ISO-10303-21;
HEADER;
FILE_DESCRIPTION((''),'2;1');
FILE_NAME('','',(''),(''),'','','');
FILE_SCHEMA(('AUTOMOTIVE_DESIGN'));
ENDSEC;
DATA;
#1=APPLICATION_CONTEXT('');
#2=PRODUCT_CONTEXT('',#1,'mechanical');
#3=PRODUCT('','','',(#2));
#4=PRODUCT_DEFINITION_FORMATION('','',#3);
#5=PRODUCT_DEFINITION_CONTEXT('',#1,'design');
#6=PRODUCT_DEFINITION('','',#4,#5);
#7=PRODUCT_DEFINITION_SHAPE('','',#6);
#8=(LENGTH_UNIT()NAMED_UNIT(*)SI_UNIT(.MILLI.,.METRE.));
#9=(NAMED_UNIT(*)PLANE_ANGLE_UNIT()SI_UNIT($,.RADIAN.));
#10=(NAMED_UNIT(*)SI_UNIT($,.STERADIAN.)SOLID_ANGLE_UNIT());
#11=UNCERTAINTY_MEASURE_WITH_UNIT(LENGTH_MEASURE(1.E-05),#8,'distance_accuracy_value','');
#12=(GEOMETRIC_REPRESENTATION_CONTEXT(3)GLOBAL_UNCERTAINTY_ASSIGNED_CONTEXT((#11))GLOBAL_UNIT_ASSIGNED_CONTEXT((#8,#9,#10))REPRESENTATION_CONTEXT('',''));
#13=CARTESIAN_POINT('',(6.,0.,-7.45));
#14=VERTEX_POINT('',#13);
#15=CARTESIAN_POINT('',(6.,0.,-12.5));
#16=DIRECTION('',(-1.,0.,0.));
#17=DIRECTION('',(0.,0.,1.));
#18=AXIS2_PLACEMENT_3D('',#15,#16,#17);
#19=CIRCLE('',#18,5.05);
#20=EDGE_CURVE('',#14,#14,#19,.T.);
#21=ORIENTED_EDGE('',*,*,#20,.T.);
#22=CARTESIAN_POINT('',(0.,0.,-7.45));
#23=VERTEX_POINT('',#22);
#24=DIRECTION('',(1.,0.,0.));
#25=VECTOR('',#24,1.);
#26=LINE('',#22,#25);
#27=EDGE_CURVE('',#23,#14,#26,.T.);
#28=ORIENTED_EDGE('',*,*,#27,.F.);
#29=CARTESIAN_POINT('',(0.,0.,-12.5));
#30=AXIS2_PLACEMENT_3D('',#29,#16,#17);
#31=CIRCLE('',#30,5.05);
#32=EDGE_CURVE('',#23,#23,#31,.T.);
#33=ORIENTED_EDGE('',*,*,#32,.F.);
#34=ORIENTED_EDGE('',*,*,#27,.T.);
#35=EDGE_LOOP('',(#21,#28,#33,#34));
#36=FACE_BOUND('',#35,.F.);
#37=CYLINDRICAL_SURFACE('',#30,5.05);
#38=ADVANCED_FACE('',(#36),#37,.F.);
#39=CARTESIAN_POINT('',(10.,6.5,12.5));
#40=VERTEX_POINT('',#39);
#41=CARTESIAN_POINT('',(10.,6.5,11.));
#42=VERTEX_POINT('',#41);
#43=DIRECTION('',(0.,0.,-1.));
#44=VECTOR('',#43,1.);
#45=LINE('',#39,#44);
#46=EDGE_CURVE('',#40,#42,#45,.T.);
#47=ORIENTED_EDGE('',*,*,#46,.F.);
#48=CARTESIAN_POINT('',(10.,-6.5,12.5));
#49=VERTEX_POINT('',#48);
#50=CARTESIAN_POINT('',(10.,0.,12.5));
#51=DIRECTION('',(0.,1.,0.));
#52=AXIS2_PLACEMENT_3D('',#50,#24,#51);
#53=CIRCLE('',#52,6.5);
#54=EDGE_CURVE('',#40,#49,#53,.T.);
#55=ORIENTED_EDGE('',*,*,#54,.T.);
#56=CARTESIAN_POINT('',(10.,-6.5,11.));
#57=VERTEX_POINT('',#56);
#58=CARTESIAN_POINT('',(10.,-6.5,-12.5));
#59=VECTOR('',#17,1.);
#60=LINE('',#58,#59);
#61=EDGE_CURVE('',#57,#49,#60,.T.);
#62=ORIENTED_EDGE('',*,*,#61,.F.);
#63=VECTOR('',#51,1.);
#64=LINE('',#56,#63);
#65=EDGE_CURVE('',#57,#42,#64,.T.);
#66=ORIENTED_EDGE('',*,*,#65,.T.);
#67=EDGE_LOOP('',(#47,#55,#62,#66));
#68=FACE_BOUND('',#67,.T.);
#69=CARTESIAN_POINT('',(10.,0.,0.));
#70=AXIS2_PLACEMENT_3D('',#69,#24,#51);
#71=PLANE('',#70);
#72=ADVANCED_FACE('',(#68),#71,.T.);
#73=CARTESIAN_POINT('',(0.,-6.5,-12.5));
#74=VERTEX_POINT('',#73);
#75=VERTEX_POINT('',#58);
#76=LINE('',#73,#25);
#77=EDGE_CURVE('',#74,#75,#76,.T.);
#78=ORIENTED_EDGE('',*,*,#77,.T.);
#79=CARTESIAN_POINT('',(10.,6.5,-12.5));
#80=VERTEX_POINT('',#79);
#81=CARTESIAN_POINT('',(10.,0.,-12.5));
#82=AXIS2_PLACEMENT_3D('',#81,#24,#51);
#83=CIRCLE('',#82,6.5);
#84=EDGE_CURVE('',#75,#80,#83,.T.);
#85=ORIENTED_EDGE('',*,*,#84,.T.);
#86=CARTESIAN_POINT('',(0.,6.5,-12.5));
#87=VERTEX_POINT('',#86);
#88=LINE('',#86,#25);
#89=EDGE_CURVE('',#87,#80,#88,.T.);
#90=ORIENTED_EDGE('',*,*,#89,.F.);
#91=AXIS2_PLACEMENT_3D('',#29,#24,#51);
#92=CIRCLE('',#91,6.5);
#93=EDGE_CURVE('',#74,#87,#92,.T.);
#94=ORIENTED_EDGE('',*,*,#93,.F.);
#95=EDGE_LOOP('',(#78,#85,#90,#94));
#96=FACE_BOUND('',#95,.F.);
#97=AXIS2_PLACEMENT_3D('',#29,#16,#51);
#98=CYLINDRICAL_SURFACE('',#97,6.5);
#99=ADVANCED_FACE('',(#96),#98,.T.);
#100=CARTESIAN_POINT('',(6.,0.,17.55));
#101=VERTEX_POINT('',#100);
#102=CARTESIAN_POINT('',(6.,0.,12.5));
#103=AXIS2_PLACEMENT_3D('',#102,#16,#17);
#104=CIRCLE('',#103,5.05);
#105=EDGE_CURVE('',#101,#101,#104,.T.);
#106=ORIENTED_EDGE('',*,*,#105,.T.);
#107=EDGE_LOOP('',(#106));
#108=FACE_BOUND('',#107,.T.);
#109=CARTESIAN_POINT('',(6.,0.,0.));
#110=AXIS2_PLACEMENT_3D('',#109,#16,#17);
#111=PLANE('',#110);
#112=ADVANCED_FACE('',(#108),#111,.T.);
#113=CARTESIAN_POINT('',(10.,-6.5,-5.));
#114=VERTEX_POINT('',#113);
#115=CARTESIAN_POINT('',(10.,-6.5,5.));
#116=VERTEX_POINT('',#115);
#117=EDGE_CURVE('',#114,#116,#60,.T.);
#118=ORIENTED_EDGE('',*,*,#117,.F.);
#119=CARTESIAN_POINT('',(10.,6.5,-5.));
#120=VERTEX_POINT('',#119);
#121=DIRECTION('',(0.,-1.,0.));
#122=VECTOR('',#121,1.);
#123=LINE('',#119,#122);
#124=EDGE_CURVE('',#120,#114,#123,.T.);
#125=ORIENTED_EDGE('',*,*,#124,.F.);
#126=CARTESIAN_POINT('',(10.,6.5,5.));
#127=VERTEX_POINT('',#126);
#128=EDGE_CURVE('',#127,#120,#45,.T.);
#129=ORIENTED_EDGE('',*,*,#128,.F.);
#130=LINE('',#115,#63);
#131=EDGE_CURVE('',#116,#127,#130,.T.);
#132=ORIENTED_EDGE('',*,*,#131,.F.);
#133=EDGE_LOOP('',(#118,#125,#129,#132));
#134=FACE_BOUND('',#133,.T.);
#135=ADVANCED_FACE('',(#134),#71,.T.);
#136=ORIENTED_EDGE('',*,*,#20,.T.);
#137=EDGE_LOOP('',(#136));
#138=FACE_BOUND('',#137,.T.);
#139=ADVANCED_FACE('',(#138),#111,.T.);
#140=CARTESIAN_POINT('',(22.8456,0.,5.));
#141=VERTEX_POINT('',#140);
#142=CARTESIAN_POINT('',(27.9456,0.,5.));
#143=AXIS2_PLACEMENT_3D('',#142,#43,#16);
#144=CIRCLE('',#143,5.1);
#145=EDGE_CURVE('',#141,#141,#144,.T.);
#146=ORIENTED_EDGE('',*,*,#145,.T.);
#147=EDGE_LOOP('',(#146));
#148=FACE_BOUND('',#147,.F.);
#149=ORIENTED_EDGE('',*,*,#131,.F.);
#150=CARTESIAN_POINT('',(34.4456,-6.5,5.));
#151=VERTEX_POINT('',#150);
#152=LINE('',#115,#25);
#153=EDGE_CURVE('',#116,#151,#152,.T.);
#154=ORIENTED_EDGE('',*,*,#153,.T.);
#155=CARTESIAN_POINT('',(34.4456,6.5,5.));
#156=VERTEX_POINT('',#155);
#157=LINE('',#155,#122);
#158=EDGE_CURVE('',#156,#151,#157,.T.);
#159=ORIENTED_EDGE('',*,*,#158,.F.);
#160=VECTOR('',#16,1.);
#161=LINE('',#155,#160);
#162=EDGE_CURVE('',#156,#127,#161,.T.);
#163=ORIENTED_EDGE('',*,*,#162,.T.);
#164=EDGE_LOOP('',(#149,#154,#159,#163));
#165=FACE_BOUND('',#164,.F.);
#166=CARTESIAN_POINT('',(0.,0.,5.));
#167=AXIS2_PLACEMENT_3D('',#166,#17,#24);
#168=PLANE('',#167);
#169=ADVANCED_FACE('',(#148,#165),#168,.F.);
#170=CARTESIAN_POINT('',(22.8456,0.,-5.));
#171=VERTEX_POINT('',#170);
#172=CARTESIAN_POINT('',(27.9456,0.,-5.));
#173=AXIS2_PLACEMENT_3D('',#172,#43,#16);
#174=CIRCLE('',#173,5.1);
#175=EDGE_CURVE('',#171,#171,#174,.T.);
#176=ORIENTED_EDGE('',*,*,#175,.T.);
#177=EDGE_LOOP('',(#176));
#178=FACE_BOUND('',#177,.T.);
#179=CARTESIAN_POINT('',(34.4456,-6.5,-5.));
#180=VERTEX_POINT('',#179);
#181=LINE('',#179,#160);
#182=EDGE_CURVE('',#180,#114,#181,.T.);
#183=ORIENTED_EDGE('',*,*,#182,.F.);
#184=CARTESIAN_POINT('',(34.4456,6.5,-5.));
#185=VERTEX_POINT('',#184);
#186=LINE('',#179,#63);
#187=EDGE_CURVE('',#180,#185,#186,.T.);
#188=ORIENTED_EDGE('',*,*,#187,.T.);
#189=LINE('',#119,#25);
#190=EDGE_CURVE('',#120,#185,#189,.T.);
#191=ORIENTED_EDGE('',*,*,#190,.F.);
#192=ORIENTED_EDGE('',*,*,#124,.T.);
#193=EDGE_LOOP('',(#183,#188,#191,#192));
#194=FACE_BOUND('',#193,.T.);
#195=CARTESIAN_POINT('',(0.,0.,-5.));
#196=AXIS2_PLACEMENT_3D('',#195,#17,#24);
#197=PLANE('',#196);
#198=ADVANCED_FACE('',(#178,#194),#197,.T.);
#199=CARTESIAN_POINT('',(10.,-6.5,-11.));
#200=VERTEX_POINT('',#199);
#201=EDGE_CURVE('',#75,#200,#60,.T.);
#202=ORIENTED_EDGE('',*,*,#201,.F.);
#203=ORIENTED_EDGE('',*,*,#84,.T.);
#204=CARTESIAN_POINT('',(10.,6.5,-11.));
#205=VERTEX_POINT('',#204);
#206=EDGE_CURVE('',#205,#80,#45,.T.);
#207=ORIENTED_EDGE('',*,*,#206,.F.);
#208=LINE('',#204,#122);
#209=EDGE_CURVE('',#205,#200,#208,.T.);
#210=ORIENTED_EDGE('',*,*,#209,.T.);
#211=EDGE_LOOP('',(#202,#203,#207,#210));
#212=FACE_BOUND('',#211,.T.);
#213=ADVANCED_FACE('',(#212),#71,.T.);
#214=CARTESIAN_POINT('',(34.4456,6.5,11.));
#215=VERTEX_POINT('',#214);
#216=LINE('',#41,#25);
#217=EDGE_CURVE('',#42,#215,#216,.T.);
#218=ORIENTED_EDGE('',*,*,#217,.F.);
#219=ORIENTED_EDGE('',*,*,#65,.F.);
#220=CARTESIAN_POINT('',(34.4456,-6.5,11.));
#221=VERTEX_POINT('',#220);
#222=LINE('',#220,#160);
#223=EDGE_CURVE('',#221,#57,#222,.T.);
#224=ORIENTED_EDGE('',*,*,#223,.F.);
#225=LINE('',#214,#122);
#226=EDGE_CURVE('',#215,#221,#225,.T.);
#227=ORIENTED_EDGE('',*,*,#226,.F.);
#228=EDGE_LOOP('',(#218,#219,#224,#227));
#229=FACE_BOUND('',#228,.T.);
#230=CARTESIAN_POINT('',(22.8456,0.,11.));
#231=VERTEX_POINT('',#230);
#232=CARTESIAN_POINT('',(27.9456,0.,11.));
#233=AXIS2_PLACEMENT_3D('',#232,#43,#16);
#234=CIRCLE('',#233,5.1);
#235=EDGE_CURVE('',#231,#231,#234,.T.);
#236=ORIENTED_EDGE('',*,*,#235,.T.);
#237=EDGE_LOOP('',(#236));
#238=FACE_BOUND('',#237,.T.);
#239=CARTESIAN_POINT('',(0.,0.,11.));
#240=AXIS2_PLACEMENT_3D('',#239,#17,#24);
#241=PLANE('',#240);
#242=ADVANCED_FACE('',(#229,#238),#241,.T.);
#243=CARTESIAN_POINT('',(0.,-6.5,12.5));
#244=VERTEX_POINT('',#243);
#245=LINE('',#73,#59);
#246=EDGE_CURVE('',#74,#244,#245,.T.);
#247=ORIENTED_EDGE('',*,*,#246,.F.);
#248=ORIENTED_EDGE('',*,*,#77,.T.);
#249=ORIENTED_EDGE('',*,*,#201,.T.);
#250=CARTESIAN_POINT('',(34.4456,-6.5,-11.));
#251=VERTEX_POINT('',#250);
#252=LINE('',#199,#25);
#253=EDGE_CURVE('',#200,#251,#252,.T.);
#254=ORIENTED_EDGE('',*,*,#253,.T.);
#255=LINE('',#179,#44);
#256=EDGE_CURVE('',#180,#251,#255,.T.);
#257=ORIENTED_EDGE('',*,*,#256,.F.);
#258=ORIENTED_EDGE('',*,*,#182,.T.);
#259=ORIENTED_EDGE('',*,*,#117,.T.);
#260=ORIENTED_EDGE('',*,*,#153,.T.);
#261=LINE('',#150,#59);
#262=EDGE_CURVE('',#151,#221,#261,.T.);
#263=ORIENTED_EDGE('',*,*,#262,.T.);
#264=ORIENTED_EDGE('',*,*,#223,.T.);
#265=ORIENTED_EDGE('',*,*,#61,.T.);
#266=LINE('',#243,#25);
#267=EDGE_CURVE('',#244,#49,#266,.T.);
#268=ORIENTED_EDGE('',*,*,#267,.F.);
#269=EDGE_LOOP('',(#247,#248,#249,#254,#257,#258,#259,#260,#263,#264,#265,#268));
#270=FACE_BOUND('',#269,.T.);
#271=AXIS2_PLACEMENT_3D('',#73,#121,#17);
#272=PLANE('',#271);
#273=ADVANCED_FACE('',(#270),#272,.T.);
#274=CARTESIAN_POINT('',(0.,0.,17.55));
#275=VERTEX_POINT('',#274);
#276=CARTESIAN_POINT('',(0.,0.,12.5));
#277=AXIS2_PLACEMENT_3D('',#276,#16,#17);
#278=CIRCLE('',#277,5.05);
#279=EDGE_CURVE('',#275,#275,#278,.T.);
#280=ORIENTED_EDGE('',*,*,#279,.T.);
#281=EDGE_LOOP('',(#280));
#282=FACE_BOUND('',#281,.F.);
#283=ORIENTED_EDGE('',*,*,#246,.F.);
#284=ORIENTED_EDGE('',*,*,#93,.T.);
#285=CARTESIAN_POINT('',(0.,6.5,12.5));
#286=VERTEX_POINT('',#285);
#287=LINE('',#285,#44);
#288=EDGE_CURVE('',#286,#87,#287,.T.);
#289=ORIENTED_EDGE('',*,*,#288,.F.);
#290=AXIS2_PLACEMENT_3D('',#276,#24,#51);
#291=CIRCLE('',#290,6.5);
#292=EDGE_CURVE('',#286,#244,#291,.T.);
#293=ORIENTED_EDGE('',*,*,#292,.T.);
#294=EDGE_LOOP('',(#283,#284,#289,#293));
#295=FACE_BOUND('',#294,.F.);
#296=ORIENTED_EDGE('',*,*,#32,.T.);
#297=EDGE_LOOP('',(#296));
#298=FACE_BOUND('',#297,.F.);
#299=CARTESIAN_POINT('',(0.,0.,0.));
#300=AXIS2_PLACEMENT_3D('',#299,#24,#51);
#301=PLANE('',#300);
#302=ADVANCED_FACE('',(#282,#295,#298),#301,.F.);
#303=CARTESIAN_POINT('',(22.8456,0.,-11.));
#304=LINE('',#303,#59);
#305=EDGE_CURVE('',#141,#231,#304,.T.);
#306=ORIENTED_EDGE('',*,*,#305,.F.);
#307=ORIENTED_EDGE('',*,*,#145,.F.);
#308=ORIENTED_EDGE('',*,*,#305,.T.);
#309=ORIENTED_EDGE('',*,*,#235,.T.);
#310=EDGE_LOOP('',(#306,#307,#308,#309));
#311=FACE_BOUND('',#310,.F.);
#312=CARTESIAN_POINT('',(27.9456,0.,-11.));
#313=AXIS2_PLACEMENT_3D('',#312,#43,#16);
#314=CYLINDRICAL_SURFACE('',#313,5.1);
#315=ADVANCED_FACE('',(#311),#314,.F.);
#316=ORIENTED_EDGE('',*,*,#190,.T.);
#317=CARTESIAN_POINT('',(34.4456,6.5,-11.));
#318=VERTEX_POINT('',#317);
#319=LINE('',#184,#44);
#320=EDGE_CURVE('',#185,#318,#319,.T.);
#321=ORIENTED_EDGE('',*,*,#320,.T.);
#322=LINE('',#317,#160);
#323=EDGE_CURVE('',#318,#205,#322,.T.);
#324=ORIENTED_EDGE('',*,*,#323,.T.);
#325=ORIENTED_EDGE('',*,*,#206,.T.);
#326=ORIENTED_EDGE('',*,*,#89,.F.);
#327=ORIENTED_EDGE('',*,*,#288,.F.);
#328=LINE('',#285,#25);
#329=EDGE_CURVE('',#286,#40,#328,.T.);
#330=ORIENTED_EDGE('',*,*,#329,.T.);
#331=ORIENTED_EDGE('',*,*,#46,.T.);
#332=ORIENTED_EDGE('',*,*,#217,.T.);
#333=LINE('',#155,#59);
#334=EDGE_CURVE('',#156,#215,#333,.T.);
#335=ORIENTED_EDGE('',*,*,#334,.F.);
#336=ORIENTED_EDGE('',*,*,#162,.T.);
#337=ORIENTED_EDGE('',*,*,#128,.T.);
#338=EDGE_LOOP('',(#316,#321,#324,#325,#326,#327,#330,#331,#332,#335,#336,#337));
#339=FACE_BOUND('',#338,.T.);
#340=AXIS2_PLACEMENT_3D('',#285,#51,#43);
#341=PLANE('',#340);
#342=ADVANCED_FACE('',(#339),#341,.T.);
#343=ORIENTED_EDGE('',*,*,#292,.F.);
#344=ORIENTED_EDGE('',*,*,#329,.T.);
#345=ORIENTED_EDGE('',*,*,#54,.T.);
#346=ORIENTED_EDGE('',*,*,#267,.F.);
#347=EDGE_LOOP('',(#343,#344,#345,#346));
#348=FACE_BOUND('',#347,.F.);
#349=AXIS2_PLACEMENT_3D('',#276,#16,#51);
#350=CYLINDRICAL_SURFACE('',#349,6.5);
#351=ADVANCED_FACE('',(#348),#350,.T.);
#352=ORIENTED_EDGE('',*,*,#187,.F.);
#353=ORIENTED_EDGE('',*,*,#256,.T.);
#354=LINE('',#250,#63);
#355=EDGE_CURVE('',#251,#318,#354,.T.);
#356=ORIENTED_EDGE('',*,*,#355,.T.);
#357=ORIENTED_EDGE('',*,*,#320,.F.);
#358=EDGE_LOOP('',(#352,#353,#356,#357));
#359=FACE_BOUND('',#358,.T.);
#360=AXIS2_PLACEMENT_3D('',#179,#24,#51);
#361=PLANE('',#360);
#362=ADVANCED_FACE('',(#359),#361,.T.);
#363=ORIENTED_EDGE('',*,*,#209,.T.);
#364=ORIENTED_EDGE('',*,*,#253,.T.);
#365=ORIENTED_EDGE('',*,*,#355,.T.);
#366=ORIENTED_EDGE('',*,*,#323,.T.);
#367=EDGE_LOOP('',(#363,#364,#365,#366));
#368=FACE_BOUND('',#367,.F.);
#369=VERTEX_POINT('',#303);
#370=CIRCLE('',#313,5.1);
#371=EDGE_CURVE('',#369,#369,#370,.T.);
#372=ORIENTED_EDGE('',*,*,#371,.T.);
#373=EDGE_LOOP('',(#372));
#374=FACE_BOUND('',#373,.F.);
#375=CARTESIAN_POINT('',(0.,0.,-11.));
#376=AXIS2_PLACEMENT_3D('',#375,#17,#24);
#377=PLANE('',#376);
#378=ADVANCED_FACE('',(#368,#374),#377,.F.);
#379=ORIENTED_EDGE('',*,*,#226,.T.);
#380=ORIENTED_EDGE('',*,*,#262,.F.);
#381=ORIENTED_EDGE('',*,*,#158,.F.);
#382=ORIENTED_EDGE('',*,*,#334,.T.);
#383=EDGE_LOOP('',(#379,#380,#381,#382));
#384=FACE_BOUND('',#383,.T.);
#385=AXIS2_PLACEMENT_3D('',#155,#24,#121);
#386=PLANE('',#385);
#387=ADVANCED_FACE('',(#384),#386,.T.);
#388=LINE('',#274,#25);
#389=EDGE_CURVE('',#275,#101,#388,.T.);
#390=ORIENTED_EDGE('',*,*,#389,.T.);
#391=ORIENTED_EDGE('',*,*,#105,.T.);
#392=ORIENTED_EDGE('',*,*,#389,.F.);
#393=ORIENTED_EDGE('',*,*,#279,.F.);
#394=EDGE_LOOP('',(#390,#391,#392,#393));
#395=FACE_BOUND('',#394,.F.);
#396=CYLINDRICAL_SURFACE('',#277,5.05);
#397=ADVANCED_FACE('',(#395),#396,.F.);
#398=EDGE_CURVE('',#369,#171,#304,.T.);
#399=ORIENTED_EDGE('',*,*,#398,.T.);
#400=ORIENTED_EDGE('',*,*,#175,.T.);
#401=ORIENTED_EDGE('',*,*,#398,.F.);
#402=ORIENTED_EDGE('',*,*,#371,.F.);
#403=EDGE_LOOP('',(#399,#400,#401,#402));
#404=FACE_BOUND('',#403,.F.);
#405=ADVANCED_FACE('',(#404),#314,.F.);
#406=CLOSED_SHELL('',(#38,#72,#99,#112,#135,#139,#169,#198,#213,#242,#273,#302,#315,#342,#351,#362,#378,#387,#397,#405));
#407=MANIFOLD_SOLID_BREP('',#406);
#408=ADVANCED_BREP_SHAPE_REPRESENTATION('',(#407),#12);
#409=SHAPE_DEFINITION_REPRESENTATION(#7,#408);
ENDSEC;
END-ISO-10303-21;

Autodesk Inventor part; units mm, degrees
sketch "Skizze1" plane through (0, 0, 0) normal (1, 0, 0) x (0, 1, 0)
  circle A0 centre (0, 12.5) radius 6.5
  circle A1 centre (0, -12.5) radius 6.5
  line L0 (6.5, 12.5) -> (6.5, -12.5)
  line L1 (-6.5, -12.5) -> (-6.5, 12.5)
  point P0 (0, 0)
  dimension "d0" = 13
  dimension "d1" = 13
  dimension "d2" = 12.5
  dimension "d3" = 12.5
extrude "Extrusion1" add sketch "Skizze1" along normal blind 10
sketch "Skizze2" plane through (0, 0, 0) normal (-1, 0, 0) x (0, 0, 1)
  arc A0 (-12.5, 6.5) -> (-12.5, -6.5) centre (-12.5, 0) ccw projected
  circle A1 centre (-12.5, 0) radius 5.05
  arc A2 (12.5, -6.5) -> (12.5, 6.5) centre (12.5, 0) ccw projected
  circle A3 centre (12.5, 0) radius 5.05
  point P0 (0, 0)
  dimension "d8" = 10.1
  dimension "d9" = 10.1
extrude "Extrusion2" cut sketch "Skizze2" against normal blind 6
ref_plane "Arbeitsebene1" through (0, 0, 5) normal (0, 0, 1) x (1, 0, 0)
sketch "Skizze4" plane through (0, 0, 5) normal (0, 0, 1) x (1, 0, 0)
  line L0 (10, -6.5) -> (10, 6.5) projected
  line L1 (27.9456, 6.5) -> (10, 6.5)
  line L2 (27.9456, -6.5) -> (10, -6.5)
  line L3 (0, -6.5) -> (0, 6.5) projected
  line L4 (27.9456, 6.5) -> (34.4456, 6.5)
  line L5 (34.4456, 6.5) -> (34.4456, -6.5)
  line L6 (34.4456, -6.5) -> (27.9456, -6.5)
  point P0 (0, 0)
  point P1 (0, 0)
extrude "Extrusion3" add sketch "Skizze4" along normal blind 6
ref_plane "Arbeitsebene2" through (0, 0, -5) normal (0, 0, 1) x (1, 0, 0)
sketch "Skizze5" plane through (0, 0, -5) normal (0, 0, 1) x (1, 0, 0)
  line L0 (34.4456, 6.5) -> (10, 6.5) projected
  line L1 (10, 6.5) -> (10, -6.5) projected
  line L2 (27.9456, 6.5) -> (10, 6.5)
  line L3 (10, -6.5) -> (34.4456, -6.5) projected
  line L4 (27.9456, -6.5) -> (10, -6.5)
  line L5 (34.4456, -6.5) -> (34.4456, 6.5) projected
  line L6 (27.9456, 6.5) -> (34.4456, 6.5)
  line L7 (34.4456, 6.5) -> (34.4456, -6.5)
  line L8 (34.4456, -6.5) -> (27.9456, -6.5)
  point P0 (0, 0)
  point P1 (27.9456, 0)
  dimension "d26" = 24.4456
  dimension "d27" = 13
extrude "Extrusion4" add sketch "Skizze5" against normal blind 6
sketch "Skizze6" plane through (0, 0, -11) normal (0, 0, -1) x (-1, 0, 0)
  arc A0 (-27.9456, 6.5) -> (-27.9456, -6.5) centre (-27.9456, 0) ccw projected
  circle A1 centre (-27.9456, 0) radius 5.1
  point P0 (0, 0)
  dimension "d20" = 10.2
extrude "Extrusion5" cut sketch "Skizze6" against normal through all
ref_plane "Arbeitsebene3" through (0, 0, 0) normal (0, 1, 0) x (-1, 0, 0)
ref_plane "Arbeitsebene4" through (0, 0, 0) normal (0, 0, 1) x (1, 0, 0)
properties part number "ObenMotor"
